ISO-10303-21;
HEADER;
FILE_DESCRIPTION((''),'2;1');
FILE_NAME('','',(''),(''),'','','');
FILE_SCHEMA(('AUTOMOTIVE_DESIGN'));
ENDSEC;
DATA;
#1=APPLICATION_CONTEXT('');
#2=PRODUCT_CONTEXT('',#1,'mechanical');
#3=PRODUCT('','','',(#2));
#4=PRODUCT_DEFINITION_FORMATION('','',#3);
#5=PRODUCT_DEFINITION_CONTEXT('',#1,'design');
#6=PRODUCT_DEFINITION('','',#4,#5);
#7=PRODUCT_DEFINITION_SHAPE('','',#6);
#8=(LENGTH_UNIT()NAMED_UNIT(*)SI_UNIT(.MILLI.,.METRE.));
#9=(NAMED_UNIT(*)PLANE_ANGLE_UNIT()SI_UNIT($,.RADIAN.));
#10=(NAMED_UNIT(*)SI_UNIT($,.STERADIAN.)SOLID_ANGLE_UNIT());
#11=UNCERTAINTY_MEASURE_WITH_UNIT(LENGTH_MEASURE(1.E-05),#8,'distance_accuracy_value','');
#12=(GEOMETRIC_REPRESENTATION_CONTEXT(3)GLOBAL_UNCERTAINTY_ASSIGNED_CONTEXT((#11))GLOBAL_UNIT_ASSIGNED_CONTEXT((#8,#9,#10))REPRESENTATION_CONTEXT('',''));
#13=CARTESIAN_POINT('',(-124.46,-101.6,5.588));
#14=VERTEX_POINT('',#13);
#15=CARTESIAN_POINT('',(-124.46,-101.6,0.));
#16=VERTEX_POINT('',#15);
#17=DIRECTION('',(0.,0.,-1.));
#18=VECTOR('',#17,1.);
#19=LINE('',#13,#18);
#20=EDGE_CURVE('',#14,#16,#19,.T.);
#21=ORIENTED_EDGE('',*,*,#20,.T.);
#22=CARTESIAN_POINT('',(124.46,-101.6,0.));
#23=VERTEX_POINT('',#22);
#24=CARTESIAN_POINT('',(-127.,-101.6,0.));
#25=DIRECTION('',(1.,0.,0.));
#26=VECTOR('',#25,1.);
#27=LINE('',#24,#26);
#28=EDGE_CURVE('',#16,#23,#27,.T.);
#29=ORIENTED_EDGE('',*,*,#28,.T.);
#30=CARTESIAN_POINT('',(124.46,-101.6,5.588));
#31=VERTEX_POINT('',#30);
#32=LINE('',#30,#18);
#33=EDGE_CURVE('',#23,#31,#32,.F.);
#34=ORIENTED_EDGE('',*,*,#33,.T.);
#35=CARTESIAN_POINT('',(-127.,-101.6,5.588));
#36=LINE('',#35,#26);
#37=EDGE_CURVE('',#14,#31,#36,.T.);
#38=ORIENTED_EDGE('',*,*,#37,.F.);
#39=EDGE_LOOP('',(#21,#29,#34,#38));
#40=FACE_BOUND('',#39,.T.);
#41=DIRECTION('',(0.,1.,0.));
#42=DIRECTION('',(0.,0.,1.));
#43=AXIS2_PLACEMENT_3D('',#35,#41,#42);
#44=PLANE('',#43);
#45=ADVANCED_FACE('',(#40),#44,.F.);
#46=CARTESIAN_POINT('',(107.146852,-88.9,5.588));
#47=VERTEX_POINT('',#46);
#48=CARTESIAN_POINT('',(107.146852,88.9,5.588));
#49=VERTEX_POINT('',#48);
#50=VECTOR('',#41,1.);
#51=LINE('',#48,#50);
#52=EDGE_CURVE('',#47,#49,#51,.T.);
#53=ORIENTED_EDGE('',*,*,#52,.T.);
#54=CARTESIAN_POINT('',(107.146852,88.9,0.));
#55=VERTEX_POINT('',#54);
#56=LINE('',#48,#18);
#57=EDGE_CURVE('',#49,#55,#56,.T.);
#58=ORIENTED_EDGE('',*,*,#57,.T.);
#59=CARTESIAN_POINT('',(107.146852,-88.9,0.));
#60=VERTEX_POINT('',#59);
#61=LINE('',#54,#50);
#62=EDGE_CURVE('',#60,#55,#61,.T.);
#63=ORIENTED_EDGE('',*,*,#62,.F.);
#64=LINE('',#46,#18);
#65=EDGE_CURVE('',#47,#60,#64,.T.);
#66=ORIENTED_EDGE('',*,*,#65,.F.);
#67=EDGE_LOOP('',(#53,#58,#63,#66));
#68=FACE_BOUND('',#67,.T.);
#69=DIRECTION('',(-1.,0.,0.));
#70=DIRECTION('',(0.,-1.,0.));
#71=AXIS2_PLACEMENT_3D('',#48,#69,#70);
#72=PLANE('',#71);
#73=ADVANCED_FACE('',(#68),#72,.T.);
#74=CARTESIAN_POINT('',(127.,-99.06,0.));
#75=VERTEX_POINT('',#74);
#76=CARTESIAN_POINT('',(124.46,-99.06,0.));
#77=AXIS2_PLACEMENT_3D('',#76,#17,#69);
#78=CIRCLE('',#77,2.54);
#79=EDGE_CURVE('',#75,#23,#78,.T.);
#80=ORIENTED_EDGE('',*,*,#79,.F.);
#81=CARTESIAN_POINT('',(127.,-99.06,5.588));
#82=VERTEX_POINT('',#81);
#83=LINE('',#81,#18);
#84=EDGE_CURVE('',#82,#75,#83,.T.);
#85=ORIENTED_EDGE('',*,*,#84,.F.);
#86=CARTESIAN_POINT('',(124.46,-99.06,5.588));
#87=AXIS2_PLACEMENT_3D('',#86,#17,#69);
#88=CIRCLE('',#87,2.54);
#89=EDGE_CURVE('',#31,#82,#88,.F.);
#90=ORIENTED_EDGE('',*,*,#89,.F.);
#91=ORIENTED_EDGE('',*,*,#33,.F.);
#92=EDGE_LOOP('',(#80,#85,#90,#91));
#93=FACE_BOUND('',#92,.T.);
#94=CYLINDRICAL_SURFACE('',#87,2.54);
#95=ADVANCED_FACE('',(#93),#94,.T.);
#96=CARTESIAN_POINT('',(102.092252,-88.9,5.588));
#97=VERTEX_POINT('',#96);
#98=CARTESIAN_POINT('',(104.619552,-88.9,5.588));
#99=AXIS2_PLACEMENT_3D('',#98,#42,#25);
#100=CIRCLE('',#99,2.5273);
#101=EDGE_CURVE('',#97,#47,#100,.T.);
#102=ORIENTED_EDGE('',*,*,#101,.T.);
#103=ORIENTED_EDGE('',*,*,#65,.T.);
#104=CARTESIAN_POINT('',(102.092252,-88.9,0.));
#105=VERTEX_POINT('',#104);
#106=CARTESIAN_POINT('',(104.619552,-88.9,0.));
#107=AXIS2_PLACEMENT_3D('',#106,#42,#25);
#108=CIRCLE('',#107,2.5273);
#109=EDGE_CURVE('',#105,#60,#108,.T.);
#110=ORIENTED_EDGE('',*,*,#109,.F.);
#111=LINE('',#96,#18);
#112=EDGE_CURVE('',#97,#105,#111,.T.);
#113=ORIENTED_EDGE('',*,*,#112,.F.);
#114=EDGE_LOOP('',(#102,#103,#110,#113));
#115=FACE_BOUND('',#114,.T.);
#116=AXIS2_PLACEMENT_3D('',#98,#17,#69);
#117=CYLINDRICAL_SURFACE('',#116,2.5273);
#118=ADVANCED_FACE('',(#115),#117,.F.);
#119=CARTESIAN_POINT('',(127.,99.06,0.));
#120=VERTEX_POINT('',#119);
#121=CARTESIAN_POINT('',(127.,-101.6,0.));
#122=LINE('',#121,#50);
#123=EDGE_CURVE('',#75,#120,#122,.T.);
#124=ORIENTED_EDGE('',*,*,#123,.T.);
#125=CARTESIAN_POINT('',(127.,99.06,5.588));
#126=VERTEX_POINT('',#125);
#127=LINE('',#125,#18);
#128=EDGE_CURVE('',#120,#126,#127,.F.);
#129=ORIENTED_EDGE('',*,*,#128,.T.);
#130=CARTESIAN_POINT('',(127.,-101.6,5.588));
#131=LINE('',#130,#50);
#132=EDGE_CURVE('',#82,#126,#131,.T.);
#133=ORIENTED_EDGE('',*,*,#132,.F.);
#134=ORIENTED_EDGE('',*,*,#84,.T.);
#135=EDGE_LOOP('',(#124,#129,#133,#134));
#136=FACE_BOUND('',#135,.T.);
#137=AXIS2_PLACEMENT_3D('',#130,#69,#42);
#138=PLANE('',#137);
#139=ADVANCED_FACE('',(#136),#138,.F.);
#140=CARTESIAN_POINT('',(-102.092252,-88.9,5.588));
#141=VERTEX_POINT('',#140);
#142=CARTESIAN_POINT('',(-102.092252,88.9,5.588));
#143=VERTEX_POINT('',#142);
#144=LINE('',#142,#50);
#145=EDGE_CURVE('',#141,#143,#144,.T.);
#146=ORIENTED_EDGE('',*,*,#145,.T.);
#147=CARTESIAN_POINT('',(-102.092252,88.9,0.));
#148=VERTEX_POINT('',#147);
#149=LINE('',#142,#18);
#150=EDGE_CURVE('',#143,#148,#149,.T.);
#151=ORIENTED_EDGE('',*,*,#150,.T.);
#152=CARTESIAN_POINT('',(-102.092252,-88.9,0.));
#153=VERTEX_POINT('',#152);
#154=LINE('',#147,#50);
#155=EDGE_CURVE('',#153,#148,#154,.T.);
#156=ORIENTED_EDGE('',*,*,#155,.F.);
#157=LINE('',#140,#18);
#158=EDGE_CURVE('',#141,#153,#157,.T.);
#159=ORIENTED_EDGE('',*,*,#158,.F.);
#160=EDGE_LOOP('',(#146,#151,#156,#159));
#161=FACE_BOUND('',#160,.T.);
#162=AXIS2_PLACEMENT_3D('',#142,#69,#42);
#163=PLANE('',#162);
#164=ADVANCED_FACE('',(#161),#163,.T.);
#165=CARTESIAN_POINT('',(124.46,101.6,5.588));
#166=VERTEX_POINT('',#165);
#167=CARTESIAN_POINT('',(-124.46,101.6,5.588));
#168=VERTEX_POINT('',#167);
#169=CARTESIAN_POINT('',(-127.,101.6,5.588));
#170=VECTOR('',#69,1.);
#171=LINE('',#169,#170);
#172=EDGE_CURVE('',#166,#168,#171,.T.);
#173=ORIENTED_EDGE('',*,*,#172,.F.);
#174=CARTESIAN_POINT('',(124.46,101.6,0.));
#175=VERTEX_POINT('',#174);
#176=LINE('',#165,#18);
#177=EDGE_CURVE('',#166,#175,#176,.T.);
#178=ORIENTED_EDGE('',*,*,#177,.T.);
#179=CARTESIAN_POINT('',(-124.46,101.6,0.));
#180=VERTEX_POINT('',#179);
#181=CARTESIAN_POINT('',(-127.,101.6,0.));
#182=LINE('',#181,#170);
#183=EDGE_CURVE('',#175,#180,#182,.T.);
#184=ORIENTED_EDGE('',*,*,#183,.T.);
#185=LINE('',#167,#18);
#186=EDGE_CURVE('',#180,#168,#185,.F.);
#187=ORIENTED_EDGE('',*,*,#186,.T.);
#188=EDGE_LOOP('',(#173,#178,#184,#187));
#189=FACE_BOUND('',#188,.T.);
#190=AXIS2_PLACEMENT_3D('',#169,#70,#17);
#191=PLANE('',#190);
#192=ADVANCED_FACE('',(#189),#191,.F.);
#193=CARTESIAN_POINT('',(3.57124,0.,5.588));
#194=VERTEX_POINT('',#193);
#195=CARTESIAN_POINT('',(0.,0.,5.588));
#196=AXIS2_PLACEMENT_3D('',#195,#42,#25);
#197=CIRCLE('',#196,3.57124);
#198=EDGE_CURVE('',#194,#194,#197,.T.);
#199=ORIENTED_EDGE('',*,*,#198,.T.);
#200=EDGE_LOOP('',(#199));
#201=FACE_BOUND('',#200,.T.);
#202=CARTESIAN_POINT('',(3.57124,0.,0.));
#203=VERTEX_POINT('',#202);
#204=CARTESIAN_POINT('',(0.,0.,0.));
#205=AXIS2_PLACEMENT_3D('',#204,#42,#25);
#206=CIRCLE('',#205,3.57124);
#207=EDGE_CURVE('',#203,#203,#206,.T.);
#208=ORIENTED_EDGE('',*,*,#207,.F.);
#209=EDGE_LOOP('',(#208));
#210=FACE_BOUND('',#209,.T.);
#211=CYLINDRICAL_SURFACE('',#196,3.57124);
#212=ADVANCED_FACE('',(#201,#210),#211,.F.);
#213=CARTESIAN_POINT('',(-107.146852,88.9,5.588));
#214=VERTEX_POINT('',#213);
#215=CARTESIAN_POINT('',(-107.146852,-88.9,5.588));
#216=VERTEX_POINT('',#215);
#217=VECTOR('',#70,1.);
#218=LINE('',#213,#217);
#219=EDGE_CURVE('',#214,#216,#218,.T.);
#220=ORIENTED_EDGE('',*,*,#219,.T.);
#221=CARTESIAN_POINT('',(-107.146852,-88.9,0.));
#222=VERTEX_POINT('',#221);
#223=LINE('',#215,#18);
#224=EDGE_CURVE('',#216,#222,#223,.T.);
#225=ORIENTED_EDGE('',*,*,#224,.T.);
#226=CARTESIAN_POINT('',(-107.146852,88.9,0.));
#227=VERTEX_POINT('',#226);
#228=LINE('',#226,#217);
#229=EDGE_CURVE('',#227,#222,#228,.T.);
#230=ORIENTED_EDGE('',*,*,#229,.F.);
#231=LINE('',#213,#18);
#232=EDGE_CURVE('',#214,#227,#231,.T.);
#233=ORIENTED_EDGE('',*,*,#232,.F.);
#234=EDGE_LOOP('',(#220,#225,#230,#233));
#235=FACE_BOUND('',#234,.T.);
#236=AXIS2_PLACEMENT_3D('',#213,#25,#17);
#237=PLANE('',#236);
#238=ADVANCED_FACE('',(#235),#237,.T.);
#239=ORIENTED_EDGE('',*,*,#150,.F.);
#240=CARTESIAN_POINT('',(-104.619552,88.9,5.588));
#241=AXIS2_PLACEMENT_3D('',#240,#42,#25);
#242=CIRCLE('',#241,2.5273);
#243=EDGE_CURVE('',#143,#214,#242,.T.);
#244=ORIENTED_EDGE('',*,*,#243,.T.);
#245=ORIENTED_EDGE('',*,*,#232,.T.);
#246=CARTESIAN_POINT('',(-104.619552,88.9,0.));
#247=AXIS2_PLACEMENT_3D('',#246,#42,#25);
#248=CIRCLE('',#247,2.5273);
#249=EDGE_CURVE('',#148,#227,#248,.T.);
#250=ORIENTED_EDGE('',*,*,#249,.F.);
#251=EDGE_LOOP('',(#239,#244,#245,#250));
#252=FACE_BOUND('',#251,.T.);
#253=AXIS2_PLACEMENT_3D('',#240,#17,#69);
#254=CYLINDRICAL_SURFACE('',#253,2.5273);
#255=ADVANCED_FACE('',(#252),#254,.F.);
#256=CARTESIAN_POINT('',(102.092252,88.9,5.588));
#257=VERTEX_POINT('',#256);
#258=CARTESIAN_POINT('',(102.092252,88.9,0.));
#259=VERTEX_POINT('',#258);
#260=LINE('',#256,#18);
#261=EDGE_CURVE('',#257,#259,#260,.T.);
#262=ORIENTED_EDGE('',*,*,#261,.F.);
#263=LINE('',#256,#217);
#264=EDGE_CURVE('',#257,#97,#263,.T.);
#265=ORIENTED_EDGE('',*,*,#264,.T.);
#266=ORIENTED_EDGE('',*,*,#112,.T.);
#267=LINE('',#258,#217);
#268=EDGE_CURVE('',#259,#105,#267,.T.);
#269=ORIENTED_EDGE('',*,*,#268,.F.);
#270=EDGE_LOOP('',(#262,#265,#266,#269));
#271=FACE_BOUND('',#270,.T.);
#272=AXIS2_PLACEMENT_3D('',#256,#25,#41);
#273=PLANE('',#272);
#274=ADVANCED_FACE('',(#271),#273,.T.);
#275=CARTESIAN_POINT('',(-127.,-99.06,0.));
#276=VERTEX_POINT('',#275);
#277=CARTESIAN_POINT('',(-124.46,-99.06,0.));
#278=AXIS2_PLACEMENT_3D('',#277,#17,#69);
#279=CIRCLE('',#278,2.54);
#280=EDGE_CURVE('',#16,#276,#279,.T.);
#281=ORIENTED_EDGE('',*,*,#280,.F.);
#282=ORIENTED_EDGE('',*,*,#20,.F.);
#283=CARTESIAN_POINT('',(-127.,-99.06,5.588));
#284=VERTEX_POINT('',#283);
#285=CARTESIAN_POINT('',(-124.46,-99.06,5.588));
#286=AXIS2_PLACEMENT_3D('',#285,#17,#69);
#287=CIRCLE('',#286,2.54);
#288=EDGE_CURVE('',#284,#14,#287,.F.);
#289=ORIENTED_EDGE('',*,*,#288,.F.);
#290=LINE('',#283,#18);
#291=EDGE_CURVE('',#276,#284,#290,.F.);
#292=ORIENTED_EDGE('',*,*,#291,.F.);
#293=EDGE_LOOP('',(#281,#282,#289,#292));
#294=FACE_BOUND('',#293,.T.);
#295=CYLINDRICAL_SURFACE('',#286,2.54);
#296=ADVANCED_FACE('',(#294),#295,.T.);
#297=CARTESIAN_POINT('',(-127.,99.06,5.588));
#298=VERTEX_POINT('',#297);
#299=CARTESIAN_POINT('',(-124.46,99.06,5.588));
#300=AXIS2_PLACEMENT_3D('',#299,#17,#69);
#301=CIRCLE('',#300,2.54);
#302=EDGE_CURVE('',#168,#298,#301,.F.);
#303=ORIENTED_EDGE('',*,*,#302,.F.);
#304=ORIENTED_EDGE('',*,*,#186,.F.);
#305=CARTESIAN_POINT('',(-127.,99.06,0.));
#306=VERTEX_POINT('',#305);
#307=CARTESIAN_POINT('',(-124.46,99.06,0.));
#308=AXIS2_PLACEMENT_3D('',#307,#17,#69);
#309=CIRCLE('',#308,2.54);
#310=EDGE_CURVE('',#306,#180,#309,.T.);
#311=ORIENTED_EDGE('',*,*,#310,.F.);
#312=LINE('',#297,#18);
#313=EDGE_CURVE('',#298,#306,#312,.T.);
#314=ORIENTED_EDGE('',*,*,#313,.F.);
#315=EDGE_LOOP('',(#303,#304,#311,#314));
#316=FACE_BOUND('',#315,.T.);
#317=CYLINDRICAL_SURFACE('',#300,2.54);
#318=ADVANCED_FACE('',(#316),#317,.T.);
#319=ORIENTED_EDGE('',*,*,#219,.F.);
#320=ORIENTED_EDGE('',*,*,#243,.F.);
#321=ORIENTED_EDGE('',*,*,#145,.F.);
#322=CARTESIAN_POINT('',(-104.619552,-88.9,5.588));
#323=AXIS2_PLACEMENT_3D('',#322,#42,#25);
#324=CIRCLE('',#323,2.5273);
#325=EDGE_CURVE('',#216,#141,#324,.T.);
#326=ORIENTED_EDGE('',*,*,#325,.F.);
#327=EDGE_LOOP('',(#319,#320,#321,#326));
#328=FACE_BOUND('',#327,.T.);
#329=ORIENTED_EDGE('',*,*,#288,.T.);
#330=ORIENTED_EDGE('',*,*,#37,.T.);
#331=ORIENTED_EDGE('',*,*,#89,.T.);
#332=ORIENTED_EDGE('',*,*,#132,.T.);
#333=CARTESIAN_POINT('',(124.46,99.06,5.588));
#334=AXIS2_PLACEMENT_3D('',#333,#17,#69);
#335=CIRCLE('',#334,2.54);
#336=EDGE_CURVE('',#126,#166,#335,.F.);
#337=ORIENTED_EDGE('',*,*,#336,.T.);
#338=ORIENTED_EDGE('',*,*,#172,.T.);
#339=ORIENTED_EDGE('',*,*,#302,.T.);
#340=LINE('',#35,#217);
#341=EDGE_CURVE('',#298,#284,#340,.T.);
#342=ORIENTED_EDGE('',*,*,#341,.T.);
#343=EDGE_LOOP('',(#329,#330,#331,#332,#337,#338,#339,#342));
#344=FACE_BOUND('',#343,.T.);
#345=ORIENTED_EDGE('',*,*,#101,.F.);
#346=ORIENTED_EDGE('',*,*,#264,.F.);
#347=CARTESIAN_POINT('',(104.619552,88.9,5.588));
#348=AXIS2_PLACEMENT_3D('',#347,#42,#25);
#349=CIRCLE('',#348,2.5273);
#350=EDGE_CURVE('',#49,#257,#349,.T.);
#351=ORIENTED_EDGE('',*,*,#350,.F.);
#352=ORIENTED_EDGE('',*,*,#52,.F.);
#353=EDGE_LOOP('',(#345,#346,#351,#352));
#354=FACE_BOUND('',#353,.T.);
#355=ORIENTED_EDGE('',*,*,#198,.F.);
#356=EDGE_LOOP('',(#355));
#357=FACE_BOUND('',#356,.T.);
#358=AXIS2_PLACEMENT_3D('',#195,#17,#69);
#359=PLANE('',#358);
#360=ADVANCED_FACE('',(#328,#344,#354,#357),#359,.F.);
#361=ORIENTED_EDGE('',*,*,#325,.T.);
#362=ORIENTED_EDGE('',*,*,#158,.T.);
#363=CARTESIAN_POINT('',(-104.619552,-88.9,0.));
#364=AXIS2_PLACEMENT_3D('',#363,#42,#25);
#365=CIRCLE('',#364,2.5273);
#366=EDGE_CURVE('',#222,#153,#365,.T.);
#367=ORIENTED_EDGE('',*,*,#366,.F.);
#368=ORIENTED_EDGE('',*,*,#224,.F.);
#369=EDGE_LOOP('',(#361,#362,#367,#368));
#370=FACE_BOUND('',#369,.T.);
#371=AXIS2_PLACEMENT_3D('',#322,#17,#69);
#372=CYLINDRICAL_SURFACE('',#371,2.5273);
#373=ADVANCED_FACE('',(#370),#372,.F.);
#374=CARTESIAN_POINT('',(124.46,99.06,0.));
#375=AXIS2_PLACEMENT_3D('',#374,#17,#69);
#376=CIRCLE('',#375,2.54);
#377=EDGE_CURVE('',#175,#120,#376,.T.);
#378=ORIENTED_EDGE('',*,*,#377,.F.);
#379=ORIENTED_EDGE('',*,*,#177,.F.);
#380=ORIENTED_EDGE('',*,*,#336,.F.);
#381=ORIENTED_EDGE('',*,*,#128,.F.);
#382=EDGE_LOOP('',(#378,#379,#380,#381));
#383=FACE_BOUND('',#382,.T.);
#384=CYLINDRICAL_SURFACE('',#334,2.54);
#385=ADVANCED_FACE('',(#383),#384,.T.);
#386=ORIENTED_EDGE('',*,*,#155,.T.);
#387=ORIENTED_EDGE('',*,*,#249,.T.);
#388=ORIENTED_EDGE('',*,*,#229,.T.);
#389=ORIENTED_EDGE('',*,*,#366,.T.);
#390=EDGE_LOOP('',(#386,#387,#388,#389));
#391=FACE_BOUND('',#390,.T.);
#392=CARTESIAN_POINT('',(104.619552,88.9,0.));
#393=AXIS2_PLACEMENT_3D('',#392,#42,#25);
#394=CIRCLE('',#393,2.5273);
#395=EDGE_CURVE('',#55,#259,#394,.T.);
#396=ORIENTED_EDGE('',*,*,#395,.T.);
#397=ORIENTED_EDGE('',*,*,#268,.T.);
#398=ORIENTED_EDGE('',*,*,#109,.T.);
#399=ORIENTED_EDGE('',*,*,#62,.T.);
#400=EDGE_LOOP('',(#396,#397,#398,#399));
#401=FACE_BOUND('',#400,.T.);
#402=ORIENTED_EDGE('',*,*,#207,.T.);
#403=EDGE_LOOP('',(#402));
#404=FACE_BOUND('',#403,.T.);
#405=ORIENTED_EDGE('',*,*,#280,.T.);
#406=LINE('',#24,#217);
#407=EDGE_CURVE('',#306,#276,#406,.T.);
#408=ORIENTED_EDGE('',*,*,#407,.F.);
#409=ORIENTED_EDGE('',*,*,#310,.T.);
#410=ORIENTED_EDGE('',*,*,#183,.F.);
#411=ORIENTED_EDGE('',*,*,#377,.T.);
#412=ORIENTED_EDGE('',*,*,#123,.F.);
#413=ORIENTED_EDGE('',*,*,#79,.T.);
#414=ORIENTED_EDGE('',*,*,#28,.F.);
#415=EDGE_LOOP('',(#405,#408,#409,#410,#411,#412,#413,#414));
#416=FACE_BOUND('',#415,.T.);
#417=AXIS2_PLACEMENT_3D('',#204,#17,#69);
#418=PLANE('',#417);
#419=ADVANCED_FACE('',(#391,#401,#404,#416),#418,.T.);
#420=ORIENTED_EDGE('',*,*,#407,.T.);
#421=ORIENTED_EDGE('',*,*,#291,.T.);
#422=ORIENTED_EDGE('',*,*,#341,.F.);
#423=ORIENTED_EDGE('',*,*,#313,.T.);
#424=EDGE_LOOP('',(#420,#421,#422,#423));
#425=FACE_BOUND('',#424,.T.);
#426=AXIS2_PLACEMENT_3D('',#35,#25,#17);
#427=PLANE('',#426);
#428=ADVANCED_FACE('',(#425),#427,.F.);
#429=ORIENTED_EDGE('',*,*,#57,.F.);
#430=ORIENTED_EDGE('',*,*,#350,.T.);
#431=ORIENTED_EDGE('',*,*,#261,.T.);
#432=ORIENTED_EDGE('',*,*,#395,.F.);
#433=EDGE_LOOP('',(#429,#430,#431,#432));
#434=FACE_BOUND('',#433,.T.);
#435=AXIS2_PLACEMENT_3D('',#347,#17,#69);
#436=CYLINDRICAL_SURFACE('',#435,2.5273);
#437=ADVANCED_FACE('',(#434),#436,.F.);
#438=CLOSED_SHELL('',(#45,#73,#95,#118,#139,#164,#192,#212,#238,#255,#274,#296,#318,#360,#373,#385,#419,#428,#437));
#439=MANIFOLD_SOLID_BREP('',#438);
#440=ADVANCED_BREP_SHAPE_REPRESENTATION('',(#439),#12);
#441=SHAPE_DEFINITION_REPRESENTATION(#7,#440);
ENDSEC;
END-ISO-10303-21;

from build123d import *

# Parameters (mm, degrees)
SKETCH1_W               = 254
SKETCH1_H               = 203.2
BOSS_EXTRUDE1_DEPTH     = 5.588
F_1_4_CLEARANCE_HOLE1_D = 7.14248
FILLET1_R               = 2.54


with BuildPart() as part:
    # Sketch1 → Boss-Extrude1 (new body)
    with BuildSketch(Plane.XY):
        Rectangle(SKETCH1_W, SKETCH1_H)
        with BuildLine():
            Line((-102.092252, 88.9), (-102.092252, -88.9))
            ThreePointArc((-102.092252, -88.9), (-104.619552, -91.4273), (-107.146852, -88.9))
            Line((-107.146852, -88.9), (-107.146852, 88.9))
            ThreePointArc((-107.146852, 88.9), (-104.619552, 91.4273), (-102.092252, 88.9))
        make_face(mode=Mode.SUBTRACT)
        with BuildLine():
            Line((107.146852, 88.9), (107.146852, -88.9))
            ThreePointArc((107.146852, -88.9), (104.619552, -91.4273), (102.092252, -88.9))
            Line((102.092252, -88.9), (102.092252, 88.9))
            ThreePointArc((102.092252, 88.9), (104.619552, 91.4273), (107.146852, 88.9))
        make_face(mode=Mode.SUBTRACT)
    extrude(amount=BOSS_EXTRUDE1_DEPTH)

    # 1/4 Clearance Hole1 (through all)
    with Locations(Plane.XY.offset(5.588)):
        with Locations((0, 0)):
            Hole(F_1_4_CLEARANCE_HOLE1_D / 2)

    # Fillet1
    fillet1_edges = [part.edges().sort_by_distance(p)[0] for p in [
        (127, -101.6, 2.794),
        (-127, -101.6, 2.794),
        (-127, 101.6, 2.794),
        (127, 101.6, 2.794),
    ]]
    fillet(fillet1_edges, radius=FILLET1_R)


solid = part.part
